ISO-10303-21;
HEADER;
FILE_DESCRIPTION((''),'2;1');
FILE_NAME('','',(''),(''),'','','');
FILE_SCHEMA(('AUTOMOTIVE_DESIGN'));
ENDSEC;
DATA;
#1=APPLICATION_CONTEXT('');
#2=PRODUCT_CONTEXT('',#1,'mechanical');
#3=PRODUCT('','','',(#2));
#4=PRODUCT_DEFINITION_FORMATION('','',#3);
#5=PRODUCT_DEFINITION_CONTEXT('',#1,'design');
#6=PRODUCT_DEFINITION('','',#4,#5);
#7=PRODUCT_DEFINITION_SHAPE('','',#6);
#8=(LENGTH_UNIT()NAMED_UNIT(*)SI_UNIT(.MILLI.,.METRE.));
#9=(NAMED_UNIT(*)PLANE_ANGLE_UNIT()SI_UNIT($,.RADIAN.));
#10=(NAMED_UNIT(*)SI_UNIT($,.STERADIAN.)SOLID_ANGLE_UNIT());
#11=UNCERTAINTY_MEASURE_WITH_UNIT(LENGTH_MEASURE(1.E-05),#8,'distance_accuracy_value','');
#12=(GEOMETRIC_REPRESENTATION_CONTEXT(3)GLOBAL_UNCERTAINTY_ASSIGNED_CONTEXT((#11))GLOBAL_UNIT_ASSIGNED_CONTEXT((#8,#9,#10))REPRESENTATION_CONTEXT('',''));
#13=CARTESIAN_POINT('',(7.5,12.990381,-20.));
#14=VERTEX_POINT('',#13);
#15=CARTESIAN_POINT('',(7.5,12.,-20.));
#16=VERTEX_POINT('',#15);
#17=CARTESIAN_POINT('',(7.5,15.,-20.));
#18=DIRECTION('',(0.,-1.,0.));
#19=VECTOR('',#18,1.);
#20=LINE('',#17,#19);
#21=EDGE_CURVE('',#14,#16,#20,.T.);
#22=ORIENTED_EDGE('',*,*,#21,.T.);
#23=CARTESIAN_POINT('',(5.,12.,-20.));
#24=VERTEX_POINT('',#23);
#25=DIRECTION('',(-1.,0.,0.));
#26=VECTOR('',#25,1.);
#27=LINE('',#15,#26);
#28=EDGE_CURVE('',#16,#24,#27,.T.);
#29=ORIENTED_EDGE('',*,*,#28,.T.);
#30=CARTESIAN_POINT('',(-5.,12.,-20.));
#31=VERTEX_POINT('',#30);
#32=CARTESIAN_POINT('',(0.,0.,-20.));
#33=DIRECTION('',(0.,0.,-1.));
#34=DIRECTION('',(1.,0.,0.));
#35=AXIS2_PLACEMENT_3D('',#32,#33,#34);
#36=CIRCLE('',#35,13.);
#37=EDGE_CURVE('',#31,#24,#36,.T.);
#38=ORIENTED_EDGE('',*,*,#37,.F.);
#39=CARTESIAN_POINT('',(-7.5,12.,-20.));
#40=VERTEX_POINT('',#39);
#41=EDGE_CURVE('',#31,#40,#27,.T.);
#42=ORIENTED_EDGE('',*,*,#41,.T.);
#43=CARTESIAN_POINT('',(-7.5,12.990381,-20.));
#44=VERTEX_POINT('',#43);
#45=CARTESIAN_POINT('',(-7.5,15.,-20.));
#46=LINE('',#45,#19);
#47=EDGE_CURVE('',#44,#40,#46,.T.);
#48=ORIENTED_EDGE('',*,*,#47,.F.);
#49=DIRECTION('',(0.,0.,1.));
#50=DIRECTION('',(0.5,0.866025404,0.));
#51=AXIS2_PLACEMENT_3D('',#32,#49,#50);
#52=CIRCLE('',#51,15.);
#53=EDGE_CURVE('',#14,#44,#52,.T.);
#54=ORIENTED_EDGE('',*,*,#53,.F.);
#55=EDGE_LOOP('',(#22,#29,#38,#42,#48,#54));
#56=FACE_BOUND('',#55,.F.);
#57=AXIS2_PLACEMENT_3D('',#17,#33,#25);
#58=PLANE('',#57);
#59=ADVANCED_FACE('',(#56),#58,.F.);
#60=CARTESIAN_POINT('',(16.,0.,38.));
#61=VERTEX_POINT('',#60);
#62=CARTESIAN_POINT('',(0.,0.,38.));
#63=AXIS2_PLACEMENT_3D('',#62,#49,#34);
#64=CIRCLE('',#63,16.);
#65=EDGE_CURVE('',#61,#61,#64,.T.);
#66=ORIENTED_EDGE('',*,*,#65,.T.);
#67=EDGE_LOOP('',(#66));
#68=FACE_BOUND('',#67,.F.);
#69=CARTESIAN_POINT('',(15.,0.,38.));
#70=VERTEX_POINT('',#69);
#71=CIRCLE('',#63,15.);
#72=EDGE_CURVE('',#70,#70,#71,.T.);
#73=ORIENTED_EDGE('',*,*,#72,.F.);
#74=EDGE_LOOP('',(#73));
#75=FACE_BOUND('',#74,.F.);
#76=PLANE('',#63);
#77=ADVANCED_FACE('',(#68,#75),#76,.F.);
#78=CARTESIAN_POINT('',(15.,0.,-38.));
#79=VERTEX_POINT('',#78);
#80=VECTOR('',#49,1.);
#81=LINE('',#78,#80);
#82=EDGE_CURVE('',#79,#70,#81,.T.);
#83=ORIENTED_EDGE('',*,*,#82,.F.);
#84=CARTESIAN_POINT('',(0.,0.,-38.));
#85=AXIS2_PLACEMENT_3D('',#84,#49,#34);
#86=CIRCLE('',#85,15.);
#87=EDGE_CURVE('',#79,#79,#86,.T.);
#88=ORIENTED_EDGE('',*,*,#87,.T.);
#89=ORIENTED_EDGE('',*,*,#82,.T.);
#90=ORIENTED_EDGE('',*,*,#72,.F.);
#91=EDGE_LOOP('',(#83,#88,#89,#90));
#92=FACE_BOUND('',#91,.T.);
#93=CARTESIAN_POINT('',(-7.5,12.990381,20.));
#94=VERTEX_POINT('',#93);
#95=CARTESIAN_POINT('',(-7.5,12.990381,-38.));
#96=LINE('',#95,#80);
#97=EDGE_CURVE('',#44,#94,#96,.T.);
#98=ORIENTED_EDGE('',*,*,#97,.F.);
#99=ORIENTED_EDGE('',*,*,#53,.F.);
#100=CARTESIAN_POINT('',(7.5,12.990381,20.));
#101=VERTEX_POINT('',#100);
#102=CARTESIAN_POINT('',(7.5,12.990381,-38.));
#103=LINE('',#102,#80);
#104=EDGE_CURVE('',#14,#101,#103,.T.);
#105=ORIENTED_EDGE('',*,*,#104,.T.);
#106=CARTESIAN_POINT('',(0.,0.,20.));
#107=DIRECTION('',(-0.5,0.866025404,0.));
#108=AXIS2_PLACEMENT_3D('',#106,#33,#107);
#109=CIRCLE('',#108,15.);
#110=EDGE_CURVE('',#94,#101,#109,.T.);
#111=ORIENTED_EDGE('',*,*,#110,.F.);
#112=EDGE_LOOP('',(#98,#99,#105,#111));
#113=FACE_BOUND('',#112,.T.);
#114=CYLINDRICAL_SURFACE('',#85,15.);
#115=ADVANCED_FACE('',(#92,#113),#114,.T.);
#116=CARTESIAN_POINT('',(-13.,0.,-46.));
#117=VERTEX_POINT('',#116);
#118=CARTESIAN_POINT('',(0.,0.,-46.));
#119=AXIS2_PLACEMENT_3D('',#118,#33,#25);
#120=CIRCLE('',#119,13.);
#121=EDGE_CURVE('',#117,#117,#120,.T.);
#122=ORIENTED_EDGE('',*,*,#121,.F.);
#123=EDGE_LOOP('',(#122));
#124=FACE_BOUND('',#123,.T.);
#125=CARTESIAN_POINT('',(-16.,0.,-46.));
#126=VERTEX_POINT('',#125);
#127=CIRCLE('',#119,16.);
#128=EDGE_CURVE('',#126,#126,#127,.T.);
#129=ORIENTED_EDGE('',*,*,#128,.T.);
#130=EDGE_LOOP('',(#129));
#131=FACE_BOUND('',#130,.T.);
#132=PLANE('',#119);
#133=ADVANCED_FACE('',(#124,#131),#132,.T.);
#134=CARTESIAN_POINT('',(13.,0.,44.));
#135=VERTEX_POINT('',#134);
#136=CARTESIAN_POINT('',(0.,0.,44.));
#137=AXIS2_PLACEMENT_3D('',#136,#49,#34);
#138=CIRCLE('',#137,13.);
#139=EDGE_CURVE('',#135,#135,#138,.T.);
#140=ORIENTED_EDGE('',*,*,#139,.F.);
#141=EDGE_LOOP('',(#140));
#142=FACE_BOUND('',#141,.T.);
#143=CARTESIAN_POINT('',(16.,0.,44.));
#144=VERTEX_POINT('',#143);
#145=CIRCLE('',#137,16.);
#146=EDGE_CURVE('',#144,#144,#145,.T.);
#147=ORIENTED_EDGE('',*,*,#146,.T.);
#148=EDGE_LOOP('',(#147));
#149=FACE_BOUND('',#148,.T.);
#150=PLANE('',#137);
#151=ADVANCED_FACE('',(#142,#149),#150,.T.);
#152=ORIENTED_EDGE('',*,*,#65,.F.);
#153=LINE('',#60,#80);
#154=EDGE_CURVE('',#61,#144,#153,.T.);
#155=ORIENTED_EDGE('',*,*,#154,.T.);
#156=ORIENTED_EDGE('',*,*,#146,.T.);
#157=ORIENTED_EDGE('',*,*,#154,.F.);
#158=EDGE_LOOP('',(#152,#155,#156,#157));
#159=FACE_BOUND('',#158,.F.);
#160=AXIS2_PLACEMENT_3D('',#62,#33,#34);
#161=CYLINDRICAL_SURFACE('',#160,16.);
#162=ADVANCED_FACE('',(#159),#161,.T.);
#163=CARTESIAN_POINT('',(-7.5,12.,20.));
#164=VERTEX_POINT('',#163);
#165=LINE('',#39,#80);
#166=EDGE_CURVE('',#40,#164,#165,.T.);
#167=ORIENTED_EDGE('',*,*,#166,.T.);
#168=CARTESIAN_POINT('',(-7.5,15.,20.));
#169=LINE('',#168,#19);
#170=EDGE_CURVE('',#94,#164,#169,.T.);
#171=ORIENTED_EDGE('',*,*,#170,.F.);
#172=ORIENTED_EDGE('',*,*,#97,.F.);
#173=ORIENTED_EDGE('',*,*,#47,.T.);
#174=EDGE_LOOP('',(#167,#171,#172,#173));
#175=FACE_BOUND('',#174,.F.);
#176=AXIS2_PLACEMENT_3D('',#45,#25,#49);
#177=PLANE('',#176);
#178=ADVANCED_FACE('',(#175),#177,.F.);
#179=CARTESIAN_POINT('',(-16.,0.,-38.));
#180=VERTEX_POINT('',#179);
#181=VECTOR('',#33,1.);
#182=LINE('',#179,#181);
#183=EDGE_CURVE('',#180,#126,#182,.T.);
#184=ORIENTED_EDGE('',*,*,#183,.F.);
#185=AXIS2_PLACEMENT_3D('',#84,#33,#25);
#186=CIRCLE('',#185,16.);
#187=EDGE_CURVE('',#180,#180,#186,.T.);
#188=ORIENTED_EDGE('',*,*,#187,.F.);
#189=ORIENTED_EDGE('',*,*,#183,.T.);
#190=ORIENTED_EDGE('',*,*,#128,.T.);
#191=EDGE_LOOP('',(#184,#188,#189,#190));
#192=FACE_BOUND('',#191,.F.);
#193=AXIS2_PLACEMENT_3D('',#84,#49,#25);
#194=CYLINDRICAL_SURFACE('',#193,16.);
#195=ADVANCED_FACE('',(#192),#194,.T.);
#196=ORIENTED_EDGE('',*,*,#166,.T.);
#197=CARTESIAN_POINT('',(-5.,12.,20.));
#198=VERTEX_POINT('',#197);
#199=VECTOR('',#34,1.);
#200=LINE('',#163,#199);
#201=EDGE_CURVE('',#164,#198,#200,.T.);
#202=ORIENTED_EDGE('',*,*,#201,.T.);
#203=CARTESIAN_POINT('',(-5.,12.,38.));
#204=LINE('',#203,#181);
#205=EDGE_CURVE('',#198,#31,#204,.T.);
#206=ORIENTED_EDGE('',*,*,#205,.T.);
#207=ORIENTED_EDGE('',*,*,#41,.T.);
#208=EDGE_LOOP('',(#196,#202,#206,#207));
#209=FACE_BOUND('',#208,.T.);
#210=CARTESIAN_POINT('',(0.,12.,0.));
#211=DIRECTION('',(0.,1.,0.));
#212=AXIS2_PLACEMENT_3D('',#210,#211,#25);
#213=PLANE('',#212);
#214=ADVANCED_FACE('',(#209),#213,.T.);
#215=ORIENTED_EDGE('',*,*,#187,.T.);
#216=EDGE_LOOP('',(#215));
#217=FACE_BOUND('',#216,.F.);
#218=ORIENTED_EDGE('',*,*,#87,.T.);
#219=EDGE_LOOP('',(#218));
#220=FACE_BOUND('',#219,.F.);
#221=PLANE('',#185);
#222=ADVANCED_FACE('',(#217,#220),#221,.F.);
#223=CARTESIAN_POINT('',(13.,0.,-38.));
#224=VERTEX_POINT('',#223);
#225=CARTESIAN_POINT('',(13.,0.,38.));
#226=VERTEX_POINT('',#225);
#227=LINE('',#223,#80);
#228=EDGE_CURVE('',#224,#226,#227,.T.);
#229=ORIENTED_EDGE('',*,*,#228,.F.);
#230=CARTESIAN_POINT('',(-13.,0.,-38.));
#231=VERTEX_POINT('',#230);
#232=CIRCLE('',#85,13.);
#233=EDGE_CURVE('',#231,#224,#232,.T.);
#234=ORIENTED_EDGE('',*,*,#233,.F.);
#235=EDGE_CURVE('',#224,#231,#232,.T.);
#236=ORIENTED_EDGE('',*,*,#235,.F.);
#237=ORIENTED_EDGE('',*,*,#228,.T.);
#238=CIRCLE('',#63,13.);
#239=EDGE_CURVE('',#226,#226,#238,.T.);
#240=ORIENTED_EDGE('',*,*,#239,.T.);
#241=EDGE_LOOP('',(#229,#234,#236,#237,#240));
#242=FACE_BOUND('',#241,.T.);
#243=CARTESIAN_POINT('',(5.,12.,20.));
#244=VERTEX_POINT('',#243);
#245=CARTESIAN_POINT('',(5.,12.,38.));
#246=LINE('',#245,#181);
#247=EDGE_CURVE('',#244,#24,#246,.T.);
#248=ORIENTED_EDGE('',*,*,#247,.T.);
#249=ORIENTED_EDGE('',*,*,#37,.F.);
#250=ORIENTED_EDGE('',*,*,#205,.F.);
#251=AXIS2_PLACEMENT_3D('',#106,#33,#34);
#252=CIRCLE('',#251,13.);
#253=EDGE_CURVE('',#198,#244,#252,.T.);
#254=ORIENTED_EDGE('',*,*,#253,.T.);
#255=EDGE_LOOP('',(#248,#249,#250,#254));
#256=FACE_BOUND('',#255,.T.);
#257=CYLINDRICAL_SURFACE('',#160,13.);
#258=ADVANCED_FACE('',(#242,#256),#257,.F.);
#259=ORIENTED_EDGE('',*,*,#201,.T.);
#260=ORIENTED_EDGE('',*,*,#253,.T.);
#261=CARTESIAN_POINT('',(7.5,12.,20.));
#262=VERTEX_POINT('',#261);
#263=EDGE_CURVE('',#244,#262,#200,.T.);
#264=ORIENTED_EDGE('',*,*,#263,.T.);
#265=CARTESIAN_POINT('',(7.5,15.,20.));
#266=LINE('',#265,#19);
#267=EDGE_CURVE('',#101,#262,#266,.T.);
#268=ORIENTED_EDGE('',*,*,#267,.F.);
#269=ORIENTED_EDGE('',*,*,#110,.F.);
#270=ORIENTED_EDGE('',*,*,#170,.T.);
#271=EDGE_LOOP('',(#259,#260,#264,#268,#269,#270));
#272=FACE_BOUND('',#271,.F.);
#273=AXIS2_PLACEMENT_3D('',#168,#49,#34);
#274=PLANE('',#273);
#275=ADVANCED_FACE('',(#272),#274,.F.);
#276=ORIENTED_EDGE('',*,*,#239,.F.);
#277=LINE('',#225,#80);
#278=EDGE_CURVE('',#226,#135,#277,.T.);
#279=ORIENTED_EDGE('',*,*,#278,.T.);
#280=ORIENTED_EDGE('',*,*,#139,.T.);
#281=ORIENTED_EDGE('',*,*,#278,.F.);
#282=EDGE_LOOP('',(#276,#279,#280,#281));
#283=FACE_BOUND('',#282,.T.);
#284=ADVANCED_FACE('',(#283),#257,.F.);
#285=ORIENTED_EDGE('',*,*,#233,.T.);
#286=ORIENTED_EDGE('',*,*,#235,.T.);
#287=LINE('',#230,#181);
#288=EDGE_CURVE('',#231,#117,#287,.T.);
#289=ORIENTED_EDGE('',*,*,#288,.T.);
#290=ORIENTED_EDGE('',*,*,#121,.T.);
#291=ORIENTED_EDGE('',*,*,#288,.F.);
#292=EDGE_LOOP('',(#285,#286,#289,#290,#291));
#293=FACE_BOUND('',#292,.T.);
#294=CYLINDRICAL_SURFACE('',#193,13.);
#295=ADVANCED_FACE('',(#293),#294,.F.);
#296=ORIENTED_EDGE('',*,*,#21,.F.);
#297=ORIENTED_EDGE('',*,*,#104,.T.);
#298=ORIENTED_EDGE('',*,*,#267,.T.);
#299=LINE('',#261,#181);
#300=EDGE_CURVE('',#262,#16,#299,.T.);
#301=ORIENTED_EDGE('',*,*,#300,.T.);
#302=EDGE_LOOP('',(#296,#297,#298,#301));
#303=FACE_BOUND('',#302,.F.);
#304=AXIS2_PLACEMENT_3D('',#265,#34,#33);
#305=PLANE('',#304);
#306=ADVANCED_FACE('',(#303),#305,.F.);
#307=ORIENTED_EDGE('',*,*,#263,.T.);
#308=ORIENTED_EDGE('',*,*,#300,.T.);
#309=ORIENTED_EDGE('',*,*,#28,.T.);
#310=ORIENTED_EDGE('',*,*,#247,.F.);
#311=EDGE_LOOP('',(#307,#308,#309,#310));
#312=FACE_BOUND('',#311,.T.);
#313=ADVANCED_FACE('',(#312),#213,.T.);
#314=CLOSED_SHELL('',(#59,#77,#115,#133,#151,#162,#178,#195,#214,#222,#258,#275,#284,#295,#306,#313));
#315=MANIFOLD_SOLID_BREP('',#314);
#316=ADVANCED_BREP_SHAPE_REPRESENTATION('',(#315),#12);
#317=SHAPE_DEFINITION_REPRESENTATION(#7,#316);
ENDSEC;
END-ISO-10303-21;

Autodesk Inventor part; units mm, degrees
ref_plane "YZ Plane" through (0, 0, 0) normal (1, 0, 0) x (0, 1, 0)
ref_plane "XY Plane" through (0, 0, 0) normal (0, 0, 1) x (1, 0, 0)
sketch "Sketch1" plane through (0, 0, 0) normal (0, 1, 0) x (-1, 0, 0)
  line L0 (-12.6, 0) -> (-15.4, 0) projected
  line L1 (0, -53.2) -> (0, 53.2) projected
  line L2 (-13, -38) -> (-15, -38)
  line L3 (-15, -38) -> (-15, 38)
  line L4 (-15, 38) -> (-13, 38)
  line L5 (-13, 38) -> (-13, -38)
  line L6 (-13, -38) -> (-15, 38) construction
  line L7 (-15, -38) -> (-13, 38) construction
  point P0 (-14, 0)
  dimension "d0" = 2
  dimension "d1" = 76
  dimension "d2" = 30
revolve "Revolution1" add sketch "Sketch1" angle 360 about axis through (0, 0, -10) along (0, 0, 1)
ref_plane "Work Plane1" through (0, 15, 0) normal (0, 1, 0) x (-1, 0, 0)
sketch "Sketch3" plane through (0, 15, 0) normal (0, 1, 0) x (-1, 0, 0)
  line L0 (-7.5, -20) -> (7.5, -20)
  line L1 (7.5, -20) -> (7.5, 20)
  line L2 (7.5, 20) -> (-7.5, 20)
  line L3 (-7.5, 20) -> (-7.5, -20)
  line L4 (-7.5, -20) -> (7.5, 20) construction
  line L5 (7.5, -20) -> (-7.5, 20) construction
  point P0 (0, 0)
  dimension "d4" = 15
  dimension "d5" = 40
extrude "Extrusion1" cut sketch "Sketch3" against normal blind 3
sketch "Sketch5" plane through (0, 0, -38) normal (0, 0, -1) x (-1, 0, 0)
  circle A0 centre (0, 0) radius 13
  circle A1 centre (0, 0) radius 16
  dimension "d8" = 32
  dimension "d9" = 26
extrude "Extrusion2" add sketch "Sketch5" along normal blind 8
sketch "Sketch6" plane through (0, 0, 38) normal (0, 0, 1) x (1, 0, 0)
  circle A0 centre (0, 0) radius 13
  circle A1 centre (0, 0) radius 16
  dimension "d12" = 26
  dimension "d13" = 32
extrude "Extrusion3" add sketch "Sketch6" along normal blind 6
properties part number "Handle bars holder axle"
